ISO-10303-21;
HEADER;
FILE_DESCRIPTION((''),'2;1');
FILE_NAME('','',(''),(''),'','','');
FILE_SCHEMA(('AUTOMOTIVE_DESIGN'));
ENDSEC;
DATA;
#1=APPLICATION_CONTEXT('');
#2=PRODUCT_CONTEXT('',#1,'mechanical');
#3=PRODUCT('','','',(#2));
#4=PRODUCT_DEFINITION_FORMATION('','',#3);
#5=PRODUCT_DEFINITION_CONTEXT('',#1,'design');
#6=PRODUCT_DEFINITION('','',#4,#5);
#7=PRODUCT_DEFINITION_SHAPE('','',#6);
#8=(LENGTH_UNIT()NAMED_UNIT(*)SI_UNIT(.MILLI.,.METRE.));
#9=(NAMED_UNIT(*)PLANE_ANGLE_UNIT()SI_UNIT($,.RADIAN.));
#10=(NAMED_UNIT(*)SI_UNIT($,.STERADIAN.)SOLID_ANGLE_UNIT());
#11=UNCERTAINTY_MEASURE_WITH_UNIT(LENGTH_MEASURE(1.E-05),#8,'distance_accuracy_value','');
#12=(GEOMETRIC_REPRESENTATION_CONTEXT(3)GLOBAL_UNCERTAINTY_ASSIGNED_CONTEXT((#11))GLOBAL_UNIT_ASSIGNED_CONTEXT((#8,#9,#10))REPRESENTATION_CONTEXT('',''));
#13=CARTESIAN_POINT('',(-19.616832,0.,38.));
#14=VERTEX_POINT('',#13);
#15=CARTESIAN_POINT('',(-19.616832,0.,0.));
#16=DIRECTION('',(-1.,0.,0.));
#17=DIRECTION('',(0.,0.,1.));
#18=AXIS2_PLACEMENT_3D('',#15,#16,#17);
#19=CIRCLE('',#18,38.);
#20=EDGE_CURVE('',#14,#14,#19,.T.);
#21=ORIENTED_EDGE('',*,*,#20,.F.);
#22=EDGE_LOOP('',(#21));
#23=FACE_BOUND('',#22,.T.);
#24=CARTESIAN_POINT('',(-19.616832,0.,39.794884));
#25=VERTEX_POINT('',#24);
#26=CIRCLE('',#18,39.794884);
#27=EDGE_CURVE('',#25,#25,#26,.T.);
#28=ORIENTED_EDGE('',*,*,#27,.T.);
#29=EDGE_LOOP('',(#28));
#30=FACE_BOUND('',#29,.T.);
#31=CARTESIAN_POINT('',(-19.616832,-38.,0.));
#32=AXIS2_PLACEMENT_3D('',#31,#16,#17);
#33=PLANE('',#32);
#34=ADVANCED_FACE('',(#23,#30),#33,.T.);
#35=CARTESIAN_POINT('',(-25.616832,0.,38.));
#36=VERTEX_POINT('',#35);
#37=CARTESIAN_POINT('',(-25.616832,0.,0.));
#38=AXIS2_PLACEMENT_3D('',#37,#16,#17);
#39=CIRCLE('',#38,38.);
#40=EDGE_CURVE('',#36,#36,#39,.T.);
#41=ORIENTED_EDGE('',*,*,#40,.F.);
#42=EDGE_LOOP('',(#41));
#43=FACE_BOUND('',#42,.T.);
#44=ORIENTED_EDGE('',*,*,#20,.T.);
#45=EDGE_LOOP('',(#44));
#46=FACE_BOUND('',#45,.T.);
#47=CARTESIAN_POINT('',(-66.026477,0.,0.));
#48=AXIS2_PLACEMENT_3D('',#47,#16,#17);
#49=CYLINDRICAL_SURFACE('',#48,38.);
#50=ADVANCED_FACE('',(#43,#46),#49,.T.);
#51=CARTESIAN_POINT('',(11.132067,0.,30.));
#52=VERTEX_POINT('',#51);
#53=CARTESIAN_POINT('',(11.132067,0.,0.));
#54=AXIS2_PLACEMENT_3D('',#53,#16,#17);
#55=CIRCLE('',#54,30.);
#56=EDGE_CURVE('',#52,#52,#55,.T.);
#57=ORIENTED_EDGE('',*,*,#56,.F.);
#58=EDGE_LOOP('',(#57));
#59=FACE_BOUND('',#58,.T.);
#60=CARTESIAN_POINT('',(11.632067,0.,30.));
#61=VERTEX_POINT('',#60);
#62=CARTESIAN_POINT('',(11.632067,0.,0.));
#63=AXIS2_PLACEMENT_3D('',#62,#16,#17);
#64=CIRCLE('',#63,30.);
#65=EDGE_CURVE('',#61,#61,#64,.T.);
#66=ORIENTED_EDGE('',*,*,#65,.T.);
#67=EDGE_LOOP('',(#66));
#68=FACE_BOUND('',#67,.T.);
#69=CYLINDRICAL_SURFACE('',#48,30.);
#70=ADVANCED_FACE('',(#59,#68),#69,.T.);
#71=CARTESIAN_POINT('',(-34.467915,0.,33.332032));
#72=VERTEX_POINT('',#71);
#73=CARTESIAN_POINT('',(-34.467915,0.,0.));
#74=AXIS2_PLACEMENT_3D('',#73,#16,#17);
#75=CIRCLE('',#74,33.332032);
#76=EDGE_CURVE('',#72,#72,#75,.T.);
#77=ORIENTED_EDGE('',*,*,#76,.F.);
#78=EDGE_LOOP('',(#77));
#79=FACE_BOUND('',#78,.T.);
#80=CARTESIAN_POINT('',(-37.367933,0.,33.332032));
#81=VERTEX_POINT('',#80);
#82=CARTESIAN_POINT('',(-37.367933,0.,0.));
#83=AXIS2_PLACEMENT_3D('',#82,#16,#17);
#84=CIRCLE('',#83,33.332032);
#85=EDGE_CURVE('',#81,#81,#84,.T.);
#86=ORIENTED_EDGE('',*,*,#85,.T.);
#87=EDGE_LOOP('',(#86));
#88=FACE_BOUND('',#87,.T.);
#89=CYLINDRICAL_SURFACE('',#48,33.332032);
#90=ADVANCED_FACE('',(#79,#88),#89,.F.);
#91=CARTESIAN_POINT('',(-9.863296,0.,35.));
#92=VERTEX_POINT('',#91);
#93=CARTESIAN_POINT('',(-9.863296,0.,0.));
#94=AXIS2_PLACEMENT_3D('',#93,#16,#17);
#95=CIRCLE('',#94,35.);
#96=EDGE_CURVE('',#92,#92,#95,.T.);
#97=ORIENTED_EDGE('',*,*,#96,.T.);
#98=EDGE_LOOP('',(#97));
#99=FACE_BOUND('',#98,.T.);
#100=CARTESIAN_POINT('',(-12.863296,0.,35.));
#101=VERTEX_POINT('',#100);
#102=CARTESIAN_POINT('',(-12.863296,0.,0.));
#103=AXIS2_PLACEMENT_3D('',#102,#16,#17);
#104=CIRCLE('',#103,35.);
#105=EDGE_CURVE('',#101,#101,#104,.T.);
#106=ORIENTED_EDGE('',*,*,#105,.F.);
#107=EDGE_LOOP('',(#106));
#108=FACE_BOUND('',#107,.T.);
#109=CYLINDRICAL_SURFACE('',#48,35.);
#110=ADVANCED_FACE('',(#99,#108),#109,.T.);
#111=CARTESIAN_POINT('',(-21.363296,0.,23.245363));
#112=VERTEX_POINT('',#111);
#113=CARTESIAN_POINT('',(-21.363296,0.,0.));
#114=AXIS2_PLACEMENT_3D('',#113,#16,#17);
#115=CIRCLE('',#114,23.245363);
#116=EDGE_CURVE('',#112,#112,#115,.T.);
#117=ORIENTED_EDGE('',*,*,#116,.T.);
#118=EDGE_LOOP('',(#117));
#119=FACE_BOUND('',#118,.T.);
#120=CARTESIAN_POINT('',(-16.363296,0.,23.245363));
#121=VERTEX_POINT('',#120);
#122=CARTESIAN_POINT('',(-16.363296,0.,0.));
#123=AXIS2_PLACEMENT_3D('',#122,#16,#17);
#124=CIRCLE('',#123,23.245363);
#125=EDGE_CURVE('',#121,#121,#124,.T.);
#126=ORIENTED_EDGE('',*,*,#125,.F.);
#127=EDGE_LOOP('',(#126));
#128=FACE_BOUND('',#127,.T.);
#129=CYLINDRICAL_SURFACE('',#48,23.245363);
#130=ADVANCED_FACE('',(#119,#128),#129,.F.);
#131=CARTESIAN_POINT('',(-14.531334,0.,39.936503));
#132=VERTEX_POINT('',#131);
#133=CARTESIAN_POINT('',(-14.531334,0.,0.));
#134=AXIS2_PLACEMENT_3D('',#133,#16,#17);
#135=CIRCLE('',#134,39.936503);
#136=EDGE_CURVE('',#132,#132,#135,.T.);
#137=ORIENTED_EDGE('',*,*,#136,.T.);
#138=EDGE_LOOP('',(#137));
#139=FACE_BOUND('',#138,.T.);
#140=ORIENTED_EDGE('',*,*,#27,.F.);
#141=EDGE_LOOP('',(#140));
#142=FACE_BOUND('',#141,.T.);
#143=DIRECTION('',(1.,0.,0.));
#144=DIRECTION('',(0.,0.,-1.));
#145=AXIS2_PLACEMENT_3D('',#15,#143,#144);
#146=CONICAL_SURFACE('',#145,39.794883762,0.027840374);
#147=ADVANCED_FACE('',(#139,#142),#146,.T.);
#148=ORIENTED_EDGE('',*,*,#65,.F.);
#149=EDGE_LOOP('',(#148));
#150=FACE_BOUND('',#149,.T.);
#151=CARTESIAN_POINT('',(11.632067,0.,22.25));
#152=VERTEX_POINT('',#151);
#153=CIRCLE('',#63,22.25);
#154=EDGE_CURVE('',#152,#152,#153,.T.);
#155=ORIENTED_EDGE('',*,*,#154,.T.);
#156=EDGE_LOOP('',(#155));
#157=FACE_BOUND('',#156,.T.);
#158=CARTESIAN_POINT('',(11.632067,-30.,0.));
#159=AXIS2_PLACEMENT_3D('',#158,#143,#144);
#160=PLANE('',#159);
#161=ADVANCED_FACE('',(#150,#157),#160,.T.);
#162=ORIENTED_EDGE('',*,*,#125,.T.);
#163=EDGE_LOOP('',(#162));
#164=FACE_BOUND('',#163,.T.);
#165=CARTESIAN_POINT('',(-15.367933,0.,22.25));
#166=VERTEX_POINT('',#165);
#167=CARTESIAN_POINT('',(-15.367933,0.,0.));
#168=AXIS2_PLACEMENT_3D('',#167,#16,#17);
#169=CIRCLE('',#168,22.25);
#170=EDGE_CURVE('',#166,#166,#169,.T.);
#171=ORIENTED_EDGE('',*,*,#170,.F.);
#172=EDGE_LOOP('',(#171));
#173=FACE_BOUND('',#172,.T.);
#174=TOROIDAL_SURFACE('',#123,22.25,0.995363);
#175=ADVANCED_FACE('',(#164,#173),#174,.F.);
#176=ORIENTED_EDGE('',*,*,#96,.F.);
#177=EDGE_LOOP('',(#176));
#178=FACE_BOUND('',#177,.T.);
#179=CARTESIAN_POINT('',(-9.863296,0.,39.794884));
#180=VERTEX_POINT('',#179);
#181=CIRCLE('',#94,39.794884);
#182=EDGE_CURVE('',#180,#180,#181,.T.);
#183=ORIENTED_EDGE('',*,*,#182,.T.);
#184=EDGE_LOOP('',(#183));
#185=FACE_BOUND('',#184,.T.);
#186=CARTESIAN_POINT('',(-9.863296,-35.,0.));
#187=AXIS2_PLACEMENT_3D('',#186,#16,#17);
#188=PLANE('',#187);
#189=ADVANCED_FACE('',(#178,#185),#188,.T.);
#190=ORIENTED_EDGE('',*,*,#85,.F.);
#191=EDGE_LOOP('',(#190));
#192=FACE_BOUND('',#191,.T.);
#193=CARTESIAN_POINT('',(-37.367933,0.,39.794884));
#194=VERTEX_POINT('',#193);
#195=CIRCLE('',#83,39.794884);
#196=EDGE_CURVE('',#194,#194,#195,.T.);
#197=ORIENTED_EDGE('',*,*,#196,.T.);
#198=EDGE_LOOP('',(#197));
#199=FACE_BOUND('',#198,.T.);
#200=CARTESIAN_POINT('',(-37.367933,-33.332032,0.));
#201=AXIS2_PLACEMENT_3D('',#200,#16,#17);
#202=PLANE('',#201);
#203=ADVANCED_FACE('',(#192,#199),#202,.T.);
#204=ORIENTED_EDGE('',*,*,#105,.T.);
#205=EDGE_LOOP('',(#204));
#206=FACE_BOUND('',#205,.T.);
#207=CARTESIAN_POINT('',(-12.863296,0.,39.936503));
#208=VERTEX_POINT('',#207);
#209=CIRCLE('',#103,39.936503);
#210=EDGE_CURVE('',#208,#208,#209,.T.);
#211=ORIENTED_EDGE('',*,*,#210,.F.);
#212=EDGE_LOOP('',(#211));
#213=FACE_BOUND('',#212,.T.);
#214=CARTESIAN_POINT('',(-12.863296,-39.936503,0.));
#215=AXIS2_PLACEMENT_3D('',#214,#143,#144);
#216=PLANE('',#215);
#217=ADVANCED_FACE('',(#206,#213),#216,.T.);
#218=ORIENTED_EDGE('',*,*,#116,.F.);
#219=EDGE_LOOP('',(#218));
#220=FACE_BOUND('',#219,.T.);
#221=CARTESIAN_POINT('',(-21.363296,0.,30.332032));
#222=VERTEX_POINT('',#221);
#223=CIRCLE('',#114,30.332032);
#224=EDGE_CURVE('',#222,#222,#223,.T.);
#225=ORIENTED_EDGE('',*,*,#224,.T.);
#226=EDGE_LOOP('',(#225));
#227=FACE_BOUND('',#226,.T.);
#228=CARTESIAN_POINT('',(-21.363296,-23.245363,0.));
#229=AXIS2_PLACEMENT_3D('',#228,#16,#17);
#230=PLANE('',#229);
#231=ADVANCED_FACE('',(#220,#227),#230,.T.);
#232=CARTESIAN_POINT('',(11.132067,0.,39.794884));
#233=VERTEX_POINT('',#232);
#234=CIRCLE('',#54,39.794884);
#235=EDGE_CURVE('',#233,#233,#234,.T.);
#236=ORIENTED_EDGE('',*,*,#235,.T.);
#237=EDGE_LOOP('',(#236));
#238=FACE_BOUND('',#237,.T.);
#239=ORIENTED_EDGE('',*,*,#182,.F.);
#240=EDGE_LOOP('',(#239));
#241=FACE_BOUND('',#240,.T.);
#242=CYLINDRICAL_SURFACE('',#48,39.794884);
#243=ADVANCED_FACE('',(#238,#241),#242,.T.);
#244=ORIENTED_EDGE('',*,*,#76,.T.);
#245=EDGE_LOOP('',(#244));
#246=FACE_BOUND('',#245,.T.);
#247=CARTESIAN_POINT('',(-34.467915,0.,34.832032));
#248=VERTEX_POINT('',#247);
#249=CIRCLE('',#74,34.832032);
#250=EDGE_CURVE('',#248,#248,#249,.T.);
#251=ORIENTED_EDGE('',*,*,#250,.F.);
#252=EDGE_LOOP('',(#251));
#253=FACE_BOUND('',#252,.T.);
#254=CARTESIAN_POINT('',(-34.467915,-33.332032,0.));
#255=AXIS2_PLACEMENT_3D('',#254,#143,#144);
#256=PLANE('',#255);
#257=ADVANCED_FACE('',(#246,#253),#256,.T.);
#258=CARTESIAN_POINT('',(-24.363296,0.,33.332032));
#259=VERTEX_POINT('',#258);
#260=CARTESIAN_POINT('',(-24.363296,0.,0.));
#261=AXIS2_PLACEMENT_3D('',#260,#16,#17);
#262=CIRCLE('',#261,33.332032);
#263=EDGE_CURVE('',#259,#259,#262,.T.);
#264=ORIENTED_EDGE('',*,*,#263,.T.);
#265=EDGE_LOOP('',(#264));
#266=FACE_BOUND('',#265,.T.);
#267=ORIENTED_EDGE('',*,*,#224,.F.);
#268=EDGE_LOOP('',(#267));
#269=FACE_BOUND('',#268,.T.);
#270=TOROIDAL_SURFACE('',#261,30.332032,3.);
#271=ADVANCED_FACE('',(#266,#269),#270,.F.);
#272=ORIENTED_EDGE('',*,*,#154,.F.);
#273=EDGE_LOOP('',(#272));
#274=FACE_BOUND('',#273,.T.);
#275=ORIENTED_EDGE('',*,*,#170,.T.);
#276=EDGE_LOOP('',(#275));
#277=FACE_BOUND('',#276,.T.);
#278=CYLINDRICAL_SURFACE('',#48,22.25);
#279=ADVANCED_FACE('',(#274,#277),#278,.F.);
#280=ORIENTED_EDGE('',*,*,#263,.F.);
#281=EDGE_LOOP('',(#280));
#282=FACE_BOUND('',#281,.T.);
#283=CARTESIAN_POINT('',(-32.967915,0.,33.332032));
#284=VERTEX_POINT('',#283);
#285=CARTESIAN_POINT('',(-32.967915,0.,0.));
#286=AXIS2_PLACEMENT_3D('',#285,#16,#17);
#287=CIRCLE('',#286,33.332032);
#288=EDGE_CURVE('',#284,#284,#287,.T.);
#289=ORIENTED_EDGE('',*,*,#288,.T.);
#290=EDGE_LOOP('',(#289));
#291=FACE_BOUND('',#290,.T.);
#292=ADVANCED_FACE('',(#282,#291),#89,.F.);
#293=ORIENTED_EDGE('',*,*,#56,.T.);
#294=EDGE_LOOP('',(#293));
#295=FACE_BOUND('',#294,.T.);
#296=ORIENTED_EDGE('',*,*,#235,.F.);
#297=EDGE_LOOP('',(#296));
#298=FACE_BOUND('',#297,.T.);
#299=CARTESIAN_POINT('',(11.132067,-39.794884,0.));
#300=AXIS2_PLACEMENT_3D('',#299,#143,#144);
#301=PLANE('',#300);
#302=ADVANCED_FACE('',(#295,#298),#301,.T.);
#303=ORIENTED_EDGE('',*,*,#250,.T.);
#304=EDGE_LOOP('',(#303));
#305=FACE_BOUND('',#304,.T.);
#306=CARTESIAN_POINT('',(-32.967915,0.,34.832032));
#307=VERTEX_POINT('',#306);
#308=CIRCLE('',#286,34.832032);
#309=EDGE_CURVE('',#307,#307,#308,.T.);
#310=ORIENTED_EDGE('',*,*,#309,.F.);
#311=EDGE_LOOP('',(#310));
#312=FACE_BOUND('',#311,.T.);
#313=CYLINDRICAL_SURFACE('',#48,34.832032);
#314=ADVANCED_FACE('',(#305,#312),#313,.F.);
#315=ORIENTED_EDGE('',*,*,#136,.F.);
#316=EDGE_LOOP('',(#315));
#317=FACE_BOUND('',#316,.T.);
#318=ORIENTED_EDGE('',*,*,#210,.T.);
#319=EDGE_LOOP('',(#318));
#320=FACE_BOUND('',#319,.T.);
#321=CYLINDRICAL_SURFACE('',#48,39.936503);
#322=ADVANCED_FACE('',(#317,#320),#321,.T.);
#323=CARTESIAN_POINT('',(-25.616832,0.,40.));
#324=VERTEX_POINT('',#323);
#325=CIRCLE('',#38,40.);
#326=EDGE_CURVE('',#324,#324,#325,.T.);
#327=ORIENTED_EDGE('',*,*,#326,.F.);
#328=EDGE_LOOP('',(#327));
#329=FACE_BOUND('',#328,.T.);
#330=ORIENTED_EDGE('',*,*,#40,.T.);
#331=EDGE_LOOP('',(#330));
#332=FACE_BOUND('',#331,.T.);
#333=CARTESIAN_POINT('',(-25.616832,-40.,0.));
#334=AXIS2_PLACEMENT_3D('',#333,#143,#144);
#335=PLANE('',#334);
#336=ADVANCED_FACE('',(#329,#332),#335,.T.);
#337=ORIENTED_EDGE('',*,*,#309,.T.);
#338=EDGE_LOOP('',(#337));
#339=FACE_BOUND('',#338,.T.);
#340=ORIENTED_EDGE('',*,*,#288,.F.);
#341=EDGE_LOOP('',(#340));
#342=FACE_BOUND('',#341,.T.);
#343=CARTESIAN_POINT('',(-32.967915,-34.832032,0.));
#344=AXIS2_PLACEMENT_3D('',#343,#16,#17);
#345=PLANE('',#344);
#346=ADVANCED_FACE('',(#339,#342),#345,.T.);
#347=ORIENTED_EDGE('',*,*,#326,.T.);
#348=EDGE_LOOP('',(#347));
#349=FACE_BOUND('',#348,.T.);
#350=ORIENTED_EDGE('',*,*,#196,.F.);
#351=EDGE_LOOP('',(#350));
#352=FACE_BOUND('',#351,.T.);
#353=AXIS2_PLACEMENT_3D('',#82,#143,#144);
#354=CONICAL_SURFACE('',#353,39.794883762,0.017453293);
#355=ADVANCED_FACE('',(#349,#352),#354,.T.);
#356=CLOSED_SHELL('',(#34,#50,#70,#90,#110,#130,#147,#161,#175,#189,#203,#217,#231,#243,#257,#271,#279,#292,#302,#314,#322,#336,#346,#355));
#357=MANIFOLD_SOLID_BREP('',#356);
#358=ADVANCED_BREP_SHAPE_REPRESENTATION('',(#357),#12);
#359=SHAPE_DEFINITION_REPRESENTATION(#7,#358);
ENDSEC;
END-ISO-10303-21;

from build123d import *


with BuildPart() as part:
    # Sketch1 → Revolve1 (revolve)
    with BuildSketch(Plane.XY, mode=Mode.PRIVATE) as revolve1_sk:
        with BuildLine():
            Line((-15.367932956, -22.25), (11.632067044, -22.25))
            Line((11.632067044, -22.25), (11.632067044, -30))
            Line((11.632067044, -30), (11.132067044, -30))
            Line((11.132067044, -30), (11.132067044, -39.794883762))
            Line((11.132067044, -39.794883762), (-9.863295576, -39.794883762))
            Line((-9.863295576, -39.794883762), (-9.863295576, -35))
            Line((-9.863295576, -35), (-12.863295576, -35))
            Line((-12.863295576, -35), (-12.863295576, -39.936502505))
            Line((-12.863295576, -39.936502505), (-14.531334037, -39.936502505))
            Line((-14.531334037, -39.936502505), (-19.616831546, -39.794883762))
            Line((-19.616831546, -39.794883762), (-19.616831546, -38))
            Line((-19.616831546, -38), (-25.616831546, -38))
            Line((-25.616831546, -38), (-25.616831546, -40))
            Line((-25.616831546, -40), (-37.367932956, -39.794883762))
            Line((-37.367932956, -39.794883762), (-37.367932956, -33.332032388))
            Line((-37.367932956, -33.332032388), (-34.467915466, -33.332032388))
            Line((-34.467915466, -33.332032388), (-34.467915466, -34.832032388))
            Line((-34.467915466, -34.832032388), (-32.967915466, -34.832032388))
            Line((-32.967915466, -34.832032388), (-32.967915466, -33.332032388))
            Line((-32.967915466, -33.332032388), (-24.363295576, -33.332032388))
            ThreePointArc((-24.363295576, -33.332032388), (-22.241975232, -32.453352732), (-21.363295576, -30.332032388))
            Line((-21.363295576, -30.332032388), (-21.363295576, -23.24536262))
            Line((-21.363295576, -23.24536262), (-16.363295576, -23.24536262))
            ThreePointArc((-16.363295576, -23.24536262), (-15.659467917, -22.953827658), (-15.367932956, -22.25))
        make_face()
    revolve(revolve1_sk.sketch.rotate(Axis((-66.026476718, 0, 0), (1, 0, 0)), 270), axis=Axis((-66.026476718, 0, 0), (1, 0, 0)))


solid = part.part
